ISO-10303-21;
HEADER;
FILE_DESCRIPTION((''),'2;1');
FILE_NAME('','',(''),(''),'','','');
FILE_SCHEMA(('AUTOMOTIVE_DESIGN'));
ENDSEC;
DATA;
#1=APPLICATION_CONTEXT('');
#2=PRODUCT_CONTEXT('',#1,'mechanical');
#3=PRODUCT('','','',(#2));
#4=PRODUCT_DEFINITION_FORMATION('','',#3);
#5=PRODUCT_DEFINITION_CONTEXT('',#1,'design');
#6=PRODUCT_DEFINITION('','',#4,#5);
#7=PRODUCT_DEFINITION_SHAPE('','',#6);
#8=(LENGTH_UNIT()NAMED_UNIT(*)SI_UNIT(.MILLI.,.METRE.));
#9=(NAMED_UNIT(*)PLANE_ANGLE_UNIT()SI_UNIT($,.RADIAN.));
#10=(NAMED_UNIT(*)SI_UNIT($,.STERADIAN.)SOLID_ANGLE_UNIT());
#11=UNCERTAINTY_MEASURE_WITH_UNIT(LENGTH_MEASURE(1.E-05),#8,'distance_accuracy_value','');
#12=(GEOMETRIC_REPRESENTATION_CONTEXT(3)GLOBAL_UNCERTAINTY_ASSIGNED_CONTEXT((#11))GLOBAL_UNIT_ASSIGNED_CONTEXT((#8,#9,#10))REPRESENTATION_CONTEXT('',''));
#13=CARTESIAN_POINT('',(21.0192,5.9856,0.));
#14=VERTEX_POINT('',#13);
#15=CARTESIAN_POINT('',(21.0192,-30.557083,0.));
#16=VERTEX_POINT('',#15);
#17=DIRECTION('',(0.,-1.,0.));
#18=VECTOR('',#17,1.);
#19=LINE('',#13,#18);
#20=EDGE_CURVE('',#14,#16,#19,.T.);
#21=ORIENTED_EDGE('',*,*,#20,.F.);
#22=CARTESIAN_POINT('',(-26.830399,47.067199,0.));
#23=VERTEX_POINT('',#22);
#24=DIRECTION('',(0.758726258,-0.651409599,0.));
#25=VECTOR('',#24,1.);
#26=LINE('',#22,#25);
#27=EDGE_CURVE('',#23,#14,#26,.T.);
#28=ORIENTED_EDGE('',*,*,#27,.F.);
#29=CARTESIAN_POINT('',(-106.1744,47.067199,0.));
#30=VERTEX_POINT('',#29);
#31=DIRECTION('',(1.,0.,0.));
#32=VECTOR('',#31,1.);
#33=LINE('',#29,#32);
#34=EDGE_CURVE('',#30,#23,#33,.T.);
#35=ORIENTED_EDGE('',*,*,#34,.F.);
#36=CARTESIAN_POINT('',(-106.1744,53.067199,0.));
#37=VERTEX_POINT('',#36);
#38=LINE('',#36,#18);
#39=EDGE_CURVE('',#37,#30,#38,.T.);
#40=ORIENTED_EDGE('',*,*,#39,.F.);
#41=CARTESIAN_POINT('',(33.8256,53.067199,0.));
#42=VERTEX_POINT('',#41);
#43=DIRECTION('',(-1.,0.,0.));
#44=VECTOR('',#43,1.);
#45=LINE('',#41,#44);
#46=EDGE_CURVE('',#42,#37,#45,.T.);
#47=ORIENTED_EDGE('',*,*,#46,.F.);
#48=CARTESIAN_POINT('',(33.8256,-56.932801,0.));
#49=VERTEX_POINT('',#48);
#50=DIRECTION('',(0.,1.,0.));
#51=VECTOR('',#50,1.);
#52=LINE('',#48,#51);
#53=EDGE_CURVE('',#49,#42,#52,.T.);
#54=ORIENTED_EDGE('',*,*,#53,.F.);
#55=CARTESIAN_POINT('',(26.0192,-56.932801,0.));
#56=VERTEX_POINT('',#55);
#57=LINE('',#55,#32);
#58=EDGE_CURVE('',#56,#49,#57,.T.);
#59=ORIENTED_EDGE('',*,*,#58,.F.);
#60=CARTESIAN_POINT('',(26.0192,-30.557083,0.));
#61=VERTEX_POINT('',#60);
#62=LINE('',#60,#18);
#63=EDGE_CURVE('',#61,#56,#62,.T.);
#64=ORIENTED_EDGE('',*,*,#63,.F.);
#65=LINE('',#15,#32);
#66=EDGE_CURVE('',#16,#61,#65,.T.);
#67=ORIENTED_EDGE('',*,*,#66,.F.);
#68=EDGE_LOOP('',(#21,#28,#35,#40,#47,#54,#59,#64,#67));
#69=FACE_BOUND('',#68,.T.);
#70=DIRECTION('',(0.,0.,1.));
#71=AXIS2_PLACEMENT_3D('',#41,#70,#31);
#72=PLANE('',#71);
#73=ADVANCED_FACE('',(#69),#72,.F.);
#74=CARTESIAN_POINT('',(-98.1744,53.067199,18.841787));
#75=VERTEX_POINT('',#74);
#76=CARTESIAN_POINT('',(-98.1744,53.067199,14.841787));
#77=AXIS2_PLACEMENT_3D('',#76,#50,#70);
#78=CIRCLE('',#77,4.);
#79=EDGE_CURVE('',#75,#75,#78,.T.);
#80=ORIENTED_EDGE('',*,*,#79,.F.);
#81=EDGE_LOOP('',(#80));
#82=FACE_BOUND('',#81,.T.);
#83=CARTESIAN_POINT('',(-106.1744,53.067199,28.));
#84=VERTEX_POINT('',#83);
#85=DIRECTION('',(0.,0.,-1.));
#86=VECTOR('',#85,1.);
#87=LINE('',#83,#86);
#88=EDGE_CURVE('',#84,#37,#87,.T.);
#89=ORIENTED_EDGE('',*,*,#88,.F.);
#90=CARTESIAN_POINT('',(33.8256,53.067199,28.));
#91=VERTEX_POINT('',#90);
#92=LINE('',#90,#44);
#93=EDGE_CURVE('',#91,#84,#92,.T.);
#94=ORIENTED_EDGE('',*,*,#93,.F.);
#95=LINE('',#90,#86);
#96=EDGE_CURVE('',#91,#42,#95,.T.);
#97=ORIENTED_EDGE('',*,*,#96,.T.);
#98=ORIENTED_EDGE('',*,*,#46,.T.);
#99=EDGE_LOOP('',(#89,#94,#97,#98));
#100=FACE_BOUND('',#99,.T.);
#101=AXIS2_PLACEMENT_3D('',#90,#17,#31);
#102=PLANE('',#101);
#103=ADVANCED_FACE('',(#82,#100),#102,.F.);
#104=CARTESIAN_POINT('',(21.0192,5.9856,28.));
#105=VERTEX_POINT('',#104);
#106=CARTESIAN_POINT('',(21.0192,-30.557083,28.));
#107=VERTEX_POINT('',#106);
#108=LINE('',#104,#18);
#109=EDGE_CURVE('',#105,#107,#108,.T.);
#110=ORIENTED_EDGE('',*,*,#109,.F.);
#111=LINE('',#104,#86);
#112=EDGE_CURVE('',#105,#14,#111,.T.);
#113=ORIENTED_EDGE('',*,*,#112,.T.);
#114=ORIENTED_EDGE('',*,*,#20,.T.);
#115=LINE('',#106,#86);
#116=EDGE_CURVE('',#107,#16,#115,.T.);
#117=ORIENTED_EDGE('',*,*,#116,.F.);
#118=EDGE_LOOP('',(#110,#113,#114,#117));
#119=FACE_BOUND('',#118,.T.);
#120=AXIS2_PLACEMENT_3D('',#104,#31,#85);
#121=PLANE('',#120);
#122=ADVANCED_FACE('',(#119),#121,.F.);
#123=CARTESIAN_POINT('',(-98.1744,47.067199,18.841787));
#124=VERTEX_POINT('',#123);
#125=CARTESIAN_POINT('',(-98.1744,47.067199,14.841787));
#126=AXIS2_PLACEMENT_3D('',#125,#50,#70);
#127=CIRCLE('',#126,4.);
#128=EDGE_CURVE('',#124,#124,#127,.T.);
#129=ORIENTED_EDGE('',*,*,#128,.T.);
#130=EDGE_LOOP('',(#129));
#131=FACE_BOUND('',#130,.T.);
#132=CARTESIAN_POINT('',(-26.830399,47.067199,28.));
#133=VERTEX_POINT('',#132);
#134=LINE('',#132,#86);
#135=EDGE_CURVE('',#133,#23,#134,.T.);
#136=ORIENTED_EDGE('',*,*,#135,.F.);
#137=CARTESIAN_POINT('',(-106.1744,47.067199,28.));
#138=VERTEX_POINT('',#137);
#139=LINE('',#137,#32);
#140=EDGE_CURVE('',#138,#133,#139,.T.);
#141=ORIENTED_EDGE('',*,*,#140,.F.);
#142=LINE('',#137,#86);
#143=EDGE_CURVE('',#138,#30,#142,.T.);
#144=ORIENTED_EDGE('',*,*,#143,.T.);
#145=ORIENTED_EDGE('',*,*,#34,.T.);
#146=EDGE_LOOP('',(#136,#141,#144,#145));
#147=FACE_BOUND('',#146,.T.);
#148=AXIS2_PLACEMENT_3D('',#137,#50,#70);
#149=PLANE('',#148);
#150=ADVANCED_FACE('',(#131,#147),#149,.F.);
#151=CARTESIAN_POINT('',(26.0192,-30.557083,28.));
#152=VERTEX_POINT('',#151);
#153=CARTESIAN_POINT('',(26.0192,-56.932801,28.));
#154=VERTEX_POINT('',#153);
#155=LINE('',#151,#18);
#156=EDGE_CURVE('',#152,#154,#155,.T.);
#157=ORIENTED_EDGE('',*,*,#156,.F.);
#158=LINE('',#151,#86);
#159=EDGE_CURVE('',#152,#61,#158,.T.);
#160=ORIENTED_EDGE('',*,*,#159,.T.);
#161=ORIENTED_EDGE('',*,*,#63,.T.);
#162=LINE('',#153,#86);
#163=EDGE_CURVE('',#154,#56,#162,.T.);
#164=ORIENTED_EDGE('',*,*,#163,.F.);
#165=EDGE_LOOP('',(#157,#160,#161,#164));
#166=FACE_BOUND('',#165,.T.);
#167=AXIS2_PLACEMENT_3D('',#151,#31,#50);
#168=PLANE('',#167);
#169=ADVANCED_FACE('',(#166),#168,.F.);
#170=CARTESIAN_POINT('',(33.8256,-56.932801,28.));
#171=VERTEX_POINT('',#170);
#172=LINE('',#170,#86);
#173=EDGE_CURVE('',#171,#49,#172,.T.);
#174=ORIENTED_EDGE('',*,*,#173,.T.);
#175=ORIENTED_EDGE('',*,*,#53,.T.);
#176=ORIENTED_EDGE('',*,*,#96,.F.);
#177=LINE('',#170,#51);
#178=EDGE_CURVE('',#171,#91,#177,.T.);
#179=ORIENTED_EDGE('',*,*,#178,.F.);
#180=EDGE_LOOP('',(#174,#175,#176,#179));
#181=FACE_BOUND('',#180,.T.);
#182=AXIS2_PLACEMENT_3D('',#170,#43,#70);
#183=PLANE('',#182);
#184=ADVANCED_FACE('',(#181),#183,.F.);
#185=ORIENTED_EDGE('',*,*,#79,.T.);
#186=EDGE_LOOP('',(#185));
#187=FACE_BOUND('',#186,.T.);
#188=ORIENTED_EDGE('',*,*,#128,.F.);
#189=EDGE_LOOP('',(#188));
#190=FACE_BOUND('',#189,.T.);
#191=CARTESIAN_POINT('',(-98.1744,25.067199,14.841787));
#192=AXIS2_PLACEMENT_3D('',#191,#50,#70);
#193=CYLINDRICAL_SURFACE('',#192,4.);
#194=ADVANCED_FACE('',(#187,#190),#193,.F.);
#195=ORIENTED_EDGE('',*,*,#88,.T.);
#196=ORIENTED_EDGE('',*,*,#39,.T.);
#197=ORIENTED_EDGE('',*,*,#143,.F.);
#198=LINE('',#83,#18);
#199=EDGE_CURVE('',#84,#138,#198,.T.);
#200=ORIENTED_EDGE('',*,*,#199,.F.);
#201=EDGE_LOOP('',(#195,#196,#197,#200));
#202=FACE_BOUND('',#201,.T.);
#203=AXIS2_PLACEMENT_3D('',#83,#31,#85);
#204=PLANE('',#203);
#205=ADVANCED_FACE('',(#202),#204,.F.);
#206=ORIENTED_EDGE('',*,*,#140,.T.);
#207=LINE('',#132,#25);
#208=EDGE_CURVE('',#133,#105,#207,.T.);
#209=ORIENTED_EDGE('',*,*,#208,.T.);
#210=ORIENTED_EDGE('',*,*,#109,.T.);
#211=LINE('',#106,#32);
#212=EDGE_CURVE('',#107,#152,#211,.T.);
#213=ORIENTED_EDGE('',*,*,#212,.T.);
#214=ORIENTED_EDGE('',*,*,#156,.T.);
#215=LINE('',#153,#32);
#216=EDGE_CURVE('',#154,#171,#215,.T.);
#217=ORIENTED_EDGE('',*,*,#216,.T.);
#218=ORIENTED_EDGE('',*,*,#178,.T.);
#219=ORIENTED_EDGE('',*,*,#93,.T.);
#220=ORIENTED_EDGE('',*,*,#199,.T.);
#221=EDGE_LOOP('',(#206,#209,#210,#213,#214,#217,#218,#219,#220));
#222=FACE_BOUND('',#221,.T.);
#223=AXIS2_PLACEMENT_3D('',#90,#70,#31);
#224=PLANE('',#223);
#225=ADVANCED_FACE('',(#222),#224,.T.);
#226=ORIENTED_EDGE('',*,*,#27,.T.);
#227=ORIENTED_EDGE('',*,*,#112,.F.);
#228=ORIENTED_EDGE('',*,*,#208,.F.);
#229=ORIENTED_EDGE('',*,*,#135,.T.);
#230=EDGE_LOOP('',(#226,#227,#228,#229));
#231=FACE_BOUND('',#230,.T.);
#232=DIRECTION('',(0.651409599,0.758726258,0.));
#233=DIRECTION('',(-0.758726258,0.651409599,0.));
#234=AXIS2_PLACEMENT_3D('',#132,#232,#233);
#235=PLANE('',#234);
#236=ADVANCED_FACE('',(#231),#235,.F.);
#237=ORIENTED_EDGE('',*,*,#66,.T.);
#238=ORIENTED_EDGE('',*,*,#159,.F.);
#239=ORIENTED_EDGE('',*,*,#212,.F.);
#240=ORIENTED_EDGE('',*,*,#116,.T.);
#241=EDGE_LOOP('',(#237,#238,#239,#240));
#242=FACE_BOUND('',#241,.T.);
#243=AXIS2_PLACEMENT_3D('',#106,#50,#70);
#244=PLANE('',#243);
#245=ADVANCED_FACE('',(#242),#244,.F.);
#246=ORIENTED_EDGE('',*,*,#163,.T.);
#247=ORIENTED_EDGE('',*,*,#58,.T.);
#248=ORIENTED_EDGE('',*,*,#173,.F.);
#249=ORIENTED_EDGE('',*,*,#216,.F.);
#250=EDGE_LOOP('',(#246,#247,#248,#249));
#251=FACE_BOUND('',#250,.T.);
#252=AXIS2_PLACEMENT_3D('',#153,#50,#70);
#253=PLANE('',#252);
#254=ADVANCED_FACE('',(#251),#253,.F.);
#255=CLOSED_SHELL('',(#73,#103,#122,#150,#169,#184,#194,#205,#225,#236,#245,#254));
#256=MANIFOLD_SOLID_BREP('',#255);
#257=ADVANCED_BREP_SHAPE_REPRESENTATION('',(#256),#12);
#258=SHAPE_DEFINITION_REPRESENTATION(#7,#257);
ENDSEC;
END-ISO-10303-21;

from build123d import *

# Parameters (mm, degrees)
EXTRUDE1_DEPTH = 28
SKETCH2_R      = 4
EXTRUDE2_DEPTH = 28


with BuildPart() as part:
    # Sketch1 → Extrude1 (new body)
    with BuildSketch(Plane.XY):
        Polygon((26.019200203, -56.93280055), (33.825600327, -56.93280055), (33.825600327, 53.06719945), (-106.174399673, 53.06719945), (-106.174399673, 47.06719945), (-26.830398907, 47.06719945), (21.019200203, 5.985600058), (21.019200203, -30.557082965), (26.019200203, -30.557082965), align=None)
    extrude(amount=EXTRUDE1_DEPTH)

    # Sketch2 → Extrude2 (cut)
    with BuildSketch(Plane(origin=(0, 53.06719945, 0), x_dir=(-1, 0, 0), z_dir=(0, 1, 0))):
        with Locations((98.174399673, 14.841787133)):
            Circle(SKETCH2_R)
    extrude(amount=-EXTRUDE2_DEPTH, mode=Mode.SUBTRACT)


solid = part.part
